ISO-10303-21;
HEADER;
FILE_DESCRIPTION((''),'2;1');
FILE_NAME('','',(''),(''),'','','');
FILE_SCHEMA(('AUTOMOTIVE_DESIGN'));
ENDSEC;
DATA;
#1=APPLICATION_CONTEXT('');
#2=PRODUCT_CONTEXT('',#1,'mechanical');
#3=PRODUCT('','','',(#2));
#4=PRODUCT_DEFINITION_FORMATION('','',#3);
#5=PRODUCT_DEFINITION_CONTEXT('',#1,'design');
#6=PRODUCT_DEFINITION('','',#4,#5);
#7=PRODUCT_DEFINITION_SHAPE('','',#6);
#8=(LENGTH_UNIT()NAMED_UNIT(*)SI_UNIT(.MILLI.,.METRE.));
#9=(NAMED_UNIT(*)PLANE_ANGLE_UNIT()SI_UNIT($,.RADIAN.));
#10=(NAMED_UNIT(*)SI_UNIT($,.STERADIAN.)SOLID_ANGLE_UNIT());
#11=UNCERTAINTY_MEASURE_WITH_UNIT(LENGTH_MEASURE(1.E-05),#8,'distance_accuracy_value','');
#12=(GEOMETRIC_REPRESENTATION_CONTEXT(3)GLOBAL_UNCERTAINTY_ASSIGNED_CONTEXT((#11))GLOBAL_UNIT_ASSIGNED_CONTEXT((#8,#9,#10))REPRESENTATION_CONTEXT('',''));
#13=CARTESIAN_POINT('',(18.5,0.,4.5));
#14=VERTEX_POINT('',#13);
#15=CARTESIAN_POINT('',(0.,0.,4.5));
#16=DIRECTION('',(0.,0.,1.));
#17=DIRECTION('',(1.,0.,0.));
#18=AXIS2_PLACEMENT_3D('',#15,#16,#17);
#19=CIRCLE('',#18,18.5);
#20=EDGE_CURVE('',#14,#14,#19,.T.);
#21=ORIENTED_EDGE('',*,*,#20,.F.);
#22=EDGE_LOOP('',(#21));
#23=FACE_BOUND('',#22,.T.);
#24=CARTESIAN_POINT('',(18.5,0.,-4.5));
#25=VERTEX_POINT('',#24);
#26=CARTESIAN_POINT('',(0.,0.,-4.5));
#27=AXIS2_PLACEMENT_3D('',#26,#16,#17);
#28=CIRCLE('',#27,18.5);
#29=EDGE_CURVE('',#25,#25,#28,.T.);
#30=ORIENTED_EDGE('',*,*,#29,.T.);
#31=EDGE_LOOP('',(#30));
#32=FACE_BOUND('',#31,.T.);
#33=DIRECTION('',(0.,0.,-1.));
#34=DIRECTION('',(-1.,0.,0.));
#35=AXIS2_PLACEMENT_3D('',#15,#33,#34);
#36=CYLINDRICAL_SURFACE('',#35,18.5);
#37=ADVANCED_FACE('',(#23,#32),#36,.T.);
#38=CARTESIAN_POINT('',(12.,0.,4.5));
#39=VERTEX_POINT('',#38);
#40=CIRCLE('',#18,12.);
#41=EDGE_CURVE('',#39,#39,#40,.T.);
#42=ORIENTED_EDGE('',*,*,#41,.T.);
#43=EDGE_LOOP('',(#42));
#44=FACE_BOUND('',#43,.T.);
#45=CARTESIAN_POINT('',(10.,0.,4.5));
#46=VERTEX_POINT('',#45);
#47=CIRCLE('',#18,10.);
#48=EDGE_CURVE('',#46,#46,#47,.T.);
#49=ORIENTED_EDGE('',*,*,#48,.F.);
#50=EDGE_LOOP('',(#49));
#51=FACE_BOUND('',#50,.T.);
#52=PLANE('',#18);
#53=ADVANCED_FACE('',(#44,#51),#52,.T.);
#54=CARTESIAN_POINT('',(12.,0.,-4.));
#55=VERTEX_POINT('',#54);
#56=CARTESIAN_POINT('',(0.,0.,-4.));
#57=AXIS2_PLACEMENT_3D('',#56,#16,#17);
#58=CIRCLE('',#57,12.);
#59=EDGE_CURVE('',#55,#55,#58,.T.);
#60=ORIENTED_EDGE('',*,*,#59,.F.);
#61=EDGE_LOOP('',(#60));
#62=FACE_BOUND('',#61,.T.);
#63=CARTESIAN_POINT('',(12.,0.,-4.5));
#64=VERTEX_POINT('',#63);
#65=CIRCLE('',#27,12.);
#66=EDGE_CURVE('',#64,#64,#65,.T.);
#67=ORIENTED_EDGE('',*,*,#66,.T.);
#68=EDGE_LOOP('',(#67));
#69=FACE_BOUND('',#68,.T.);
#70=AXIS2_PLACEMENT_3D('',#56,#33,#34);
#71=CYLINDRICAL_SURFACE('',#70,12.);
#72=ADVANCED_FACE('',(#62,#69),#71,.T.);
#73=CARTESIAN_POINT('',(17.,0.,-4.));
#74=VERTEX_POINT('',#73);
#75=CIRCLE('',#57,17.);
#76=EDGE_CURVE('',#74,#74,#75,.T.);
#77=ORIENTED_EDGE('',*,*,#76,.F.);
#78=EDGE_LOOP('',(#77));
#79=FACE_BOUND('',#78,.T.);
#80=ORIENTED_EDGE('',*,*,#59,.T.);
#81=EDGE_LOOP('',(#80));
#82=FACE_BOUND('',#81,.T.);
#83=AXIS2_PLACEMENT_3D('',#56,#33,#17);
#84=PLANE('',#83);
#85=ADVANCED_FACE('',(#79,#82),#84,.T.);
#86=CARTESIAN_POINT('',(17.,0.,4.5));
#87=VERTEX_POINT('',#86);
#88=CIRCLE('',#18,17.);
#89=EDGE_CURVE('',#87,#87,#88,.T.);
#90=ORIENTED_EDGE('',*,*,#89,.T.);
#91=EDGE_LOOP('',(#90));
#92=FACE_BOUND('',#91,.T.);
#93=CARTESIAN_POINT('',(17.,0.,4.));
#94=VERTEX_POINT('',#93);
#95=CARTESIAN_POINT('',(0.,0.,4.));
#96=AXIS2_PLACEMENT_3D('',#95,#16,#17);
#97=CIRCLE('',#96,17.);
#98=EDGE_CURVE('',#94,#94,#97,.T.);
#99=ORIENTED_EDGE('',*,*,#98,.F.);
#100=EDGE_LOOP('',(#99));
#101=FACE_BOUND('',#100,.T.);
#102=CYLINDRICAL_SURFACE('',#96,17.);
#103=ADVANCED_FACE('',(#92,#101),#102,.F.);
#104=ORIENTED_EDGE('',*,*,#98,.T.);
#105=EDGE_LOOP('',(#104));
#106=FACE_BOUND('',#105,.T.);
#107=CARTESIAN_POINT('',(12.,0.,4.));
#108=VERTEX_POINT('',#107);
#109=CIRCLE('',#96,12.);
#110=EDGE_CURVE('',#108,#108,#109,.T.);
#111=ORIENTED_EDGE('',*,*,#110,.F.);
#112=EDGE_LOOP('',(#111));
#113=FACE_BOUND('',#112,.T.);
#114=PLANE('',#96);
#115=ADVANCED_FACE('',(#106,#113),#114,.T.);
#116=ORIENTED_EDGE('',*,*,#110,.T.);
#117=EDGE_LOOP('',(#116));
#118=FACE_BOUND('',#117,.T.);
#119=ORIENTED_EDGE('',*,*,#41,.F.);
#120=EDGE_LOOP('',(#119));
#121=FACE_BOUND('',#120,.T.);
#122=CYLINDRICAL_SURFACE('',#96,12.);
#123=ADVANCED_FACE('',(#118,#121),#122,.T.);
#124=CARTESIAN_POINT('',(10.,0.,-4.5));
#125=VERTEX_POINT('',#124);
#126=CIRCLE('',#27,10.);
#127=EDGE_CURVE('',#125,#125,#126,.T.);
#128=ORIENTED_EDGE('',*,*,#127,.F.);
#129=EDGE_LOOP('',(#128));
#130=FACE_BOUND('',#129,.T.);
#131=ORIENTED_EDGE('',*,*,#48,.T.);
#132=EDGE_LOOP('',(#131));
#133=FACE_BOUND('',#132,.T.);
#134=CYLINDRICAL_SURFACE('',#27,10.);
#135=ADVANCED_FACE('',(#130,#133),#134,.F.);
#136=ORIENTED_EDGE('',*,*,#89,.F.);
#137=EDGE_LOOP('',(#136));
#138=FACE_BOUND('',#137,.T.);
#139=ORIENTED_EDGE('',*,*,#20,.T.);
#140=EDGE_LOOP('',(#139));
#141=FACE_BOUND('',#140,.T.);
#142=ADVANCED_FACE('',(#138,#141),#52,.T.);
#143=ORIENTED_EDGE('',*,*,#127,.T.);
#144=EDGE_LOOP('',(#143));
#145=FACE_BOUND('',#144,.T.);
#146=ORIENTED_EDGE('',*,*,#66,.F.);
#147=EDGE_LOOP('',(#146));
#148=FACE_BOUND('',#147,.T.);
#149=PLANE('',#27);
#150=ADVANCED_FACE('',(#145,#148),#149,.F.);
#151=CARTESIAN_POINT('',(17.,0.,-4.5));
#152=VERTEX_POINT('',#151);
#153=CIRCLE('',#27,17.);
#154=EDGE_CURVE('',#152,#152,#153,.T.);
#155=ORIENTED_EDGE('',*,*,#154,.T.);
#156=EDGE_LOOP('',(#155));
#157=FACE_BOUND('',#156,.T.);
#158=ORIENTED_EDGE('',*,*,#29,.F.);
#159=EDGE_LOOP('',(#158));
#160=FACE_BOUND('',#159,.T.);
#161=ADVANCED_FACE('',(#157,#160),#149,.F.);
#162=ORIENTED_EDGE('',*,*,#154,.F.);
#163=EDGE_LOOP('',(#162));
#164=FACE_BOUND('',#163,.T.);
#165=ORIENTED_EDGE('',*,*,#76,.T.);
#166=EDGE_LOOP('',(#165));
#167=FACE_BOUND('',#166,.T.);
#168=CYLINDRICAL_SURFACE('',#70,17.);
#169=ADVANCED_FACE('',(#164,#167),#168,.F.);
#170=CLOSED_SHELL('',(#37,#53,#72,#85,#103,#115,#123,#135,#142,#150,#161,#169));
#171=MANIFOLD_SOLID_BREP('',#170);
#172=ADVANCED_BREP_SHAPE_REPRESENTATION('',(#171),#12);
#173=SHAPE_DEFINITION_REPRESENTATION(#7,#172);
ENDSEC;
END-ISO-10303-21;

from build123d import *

# Parameters (mm, degrees)
SKETCH_1_R          = 18.5
EXTRUDE_1_DEPTH     = 4.5
SKETCH_2_R          = 10
CUT_EXTRUDE_1_DEPTH = 10
SKETCH_3_R          = 17
SKETCH_3_R_2        = 12
CUT_EXTRUDE_2_DEPTH = 0.5


with BuildPart() as part:
    # 草圖1 → 填料-伸長1 (new body, symmetric)
    with BuildSketch(Plane.XY):
        Circle(SKETCH_1_R)
    extrude(amount=EXTRUDE_1_DEPTH, both=True)

    # 草圖2 → 除料-伸長1 (cut, through all)
    with BuildSketch(Plane.XY.offset(4.5)):
        Circle(SKETCH_2_R)
    extrude(amount=-CUT_EXTRUDE_1_DEPTH, mode=Mode.SUBTRACT)

    # 草圖3 → 除料-伸長2 (cut)
    with BuildSketch(Plane.XY.offset(4.5)):
        Circle(SKETCH_3_R)
        Circle(SKETCH_3_R_2, mode=Mode.SUBTRACT)
    cut_extrude_2 = extrude(amount=-CUT_EXTRUDE_2_DEPTH, mode=Mode.SUBTRACT)

    # 鏡射1: 除料-伸長2 across plane
    add(cut_extrude_2.mirror(Plane.XY), mode=Mode.SUBTRACT)


solid = part.part
